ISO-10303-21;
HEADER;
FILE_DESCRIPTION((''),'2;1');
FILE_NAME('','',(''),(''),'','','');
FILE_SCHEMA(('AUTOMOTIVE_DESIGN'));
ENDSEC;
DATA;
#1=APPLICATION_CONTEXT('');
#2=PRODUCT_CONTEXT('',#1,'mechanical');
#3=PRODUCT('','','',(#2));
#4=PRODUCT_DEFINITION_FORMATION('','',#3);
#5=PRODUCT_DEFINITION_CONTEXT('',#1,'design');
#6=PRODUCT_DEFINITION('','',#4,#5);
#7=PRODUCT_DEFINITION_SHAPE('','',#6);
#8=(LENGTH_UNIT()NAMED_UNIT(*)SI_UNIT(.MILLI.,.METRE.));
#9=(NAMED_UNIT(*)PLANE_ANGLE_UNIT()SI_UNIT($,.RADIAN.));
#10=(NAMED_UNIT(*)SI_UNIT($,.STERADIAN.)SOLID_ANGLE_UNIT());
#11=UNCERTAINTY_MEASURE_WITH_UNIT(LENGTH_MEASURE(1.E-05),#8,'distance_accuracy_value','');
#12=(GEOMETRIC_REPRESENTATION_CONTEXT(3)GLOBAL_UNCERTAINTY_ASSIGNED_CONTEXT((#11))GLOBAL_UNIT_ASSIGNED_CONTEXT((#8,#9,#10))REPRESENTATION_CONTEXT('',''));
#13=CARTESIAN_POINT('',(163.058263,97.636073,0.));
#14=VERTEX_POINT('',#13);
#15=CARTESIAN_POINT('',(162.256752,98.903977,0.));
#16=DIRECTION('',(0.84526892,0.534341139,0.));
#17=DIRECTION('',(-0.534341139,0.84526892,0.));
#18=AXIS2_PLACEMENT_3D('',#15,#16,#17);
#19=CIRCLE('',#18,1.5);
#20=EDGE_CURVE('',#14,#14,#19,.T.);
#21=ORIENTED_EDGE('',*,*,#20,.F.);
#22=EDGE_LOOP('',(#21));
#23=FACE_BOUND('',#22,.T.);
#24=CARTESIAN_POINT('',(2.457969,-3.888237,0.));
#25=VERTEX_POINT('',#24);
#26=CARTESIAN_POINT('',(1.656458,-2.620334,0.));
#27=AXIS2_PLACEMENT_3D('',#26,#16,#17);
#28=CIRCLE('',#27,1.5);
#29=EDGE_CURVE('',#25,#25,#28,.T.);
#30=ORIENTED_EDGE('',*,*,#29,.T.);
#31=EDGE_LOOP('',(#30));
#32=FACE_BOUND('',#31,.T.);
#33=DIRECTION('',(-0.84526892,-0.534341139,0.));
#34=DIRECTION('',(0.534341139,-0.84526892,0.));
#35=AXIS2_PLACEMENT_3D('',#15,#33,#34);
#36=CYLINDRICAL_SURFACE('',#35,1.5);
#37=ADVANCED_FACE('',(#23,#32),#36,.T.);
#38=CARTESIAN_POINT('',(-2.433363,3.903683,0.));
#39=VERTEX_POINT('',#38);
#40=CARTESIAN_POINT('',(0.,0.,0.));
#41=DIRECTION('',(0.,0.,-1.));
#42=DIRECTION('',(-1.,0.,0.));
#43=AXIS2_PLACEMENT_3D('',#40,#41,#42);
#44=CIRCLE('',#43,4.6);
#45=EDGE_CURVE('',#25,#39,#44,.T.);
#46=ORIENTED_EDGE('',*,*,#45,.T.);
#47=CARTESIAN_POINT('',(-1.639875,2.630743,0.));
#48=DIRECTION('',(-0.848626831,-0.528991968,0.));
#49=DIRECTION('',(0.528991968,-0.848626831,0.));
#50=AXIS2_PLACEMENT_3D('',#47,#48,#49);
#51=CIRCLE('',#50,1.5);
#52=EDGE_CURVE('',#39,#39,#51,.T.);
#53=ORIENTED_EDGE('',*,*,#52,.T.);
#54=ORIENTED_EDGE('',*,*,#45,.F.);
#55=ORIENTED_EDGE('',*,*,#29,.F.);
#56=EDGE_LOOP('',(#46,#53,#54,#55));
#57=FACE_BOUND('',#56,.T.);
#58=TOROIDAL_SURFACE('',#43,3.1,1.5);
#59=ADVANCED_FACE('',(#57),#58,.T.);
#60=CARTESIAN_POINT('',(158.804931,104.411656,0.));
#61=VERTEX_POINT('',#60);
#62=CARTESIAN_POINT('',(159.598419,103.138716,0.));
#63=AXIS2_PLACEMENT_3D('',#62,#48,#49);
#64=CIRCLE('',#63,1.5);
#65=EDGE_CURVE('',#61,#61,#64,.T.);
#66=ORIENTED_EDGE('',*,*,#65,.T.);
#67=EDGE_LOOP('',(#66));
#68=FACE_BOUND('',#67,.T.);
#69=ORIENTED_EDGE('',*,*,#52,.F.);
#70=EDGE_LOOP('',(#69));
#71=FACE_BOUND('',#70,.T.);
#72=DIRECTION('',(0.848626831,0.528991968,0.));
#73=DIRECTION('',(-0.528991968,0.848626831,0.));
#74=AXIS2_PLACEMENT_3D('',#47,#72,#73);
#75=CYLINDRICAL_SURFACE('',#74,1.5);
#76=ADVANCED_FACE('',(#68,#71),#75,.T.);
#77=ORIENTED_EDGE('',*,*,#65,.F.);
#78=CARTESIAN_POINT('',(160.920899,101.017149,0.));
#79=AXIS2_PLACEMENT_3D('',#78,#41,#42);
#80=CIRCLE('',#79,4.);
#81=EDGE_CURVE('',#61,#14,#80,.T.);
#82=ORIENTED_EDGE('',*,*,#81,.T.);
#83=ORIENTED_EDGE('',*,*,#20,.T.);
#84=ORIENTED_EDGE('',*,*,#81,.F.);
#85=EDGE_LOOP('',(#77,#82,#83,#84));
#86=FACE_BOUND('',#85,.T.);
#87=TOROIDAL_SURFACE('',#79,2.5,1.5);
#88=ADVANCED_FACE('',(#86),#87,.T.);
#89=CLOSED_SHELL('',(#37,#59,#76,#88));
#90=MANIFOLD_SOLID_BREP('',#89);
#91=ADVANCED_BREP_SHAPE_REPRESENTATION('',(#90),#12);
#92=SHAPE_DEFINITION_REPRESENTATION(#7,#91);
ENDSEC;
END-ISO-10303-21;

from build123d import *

# Parameters (mm, degrees)
SWEEP_1_PROFILE_R = 1.5


with BuildPart() as part:
    # 扫描1: sweep along a path in 草图2
    with BuildLine(Plane.XY) as sweep_1_path:
        Line((-1.639875101, 2.630743175), (159.598418774, 103.138715935))
        ThreePointArc((159.598418774, 103.138715935), (163.03827894, 102.34632187), (162.256751542, 98.903976559))
        Line((162.256751542, 98.903976559), (1.656457531, -2.620333652))
        ThreePointArc((1.656457531, -2.620333652), (-2.625551505, -1.648174534), (-1.639875101, 2.630743175))
    # 扫描1 profile (on start of the path) → 扫描1 (sweep)
    with BuildSketch(Plane(origin=(-1.639875101, 2.630743175, 0), x_dir=(-0.5289919679557532, 0.8486268307320358, 0), z_dir=(0.8486268307320358, 0.5289919679557532, 0))):
        Circle(SWEEP_1_PROFILE_R)
    sweep(path=sweep_1_path.line)


solid = part.part
